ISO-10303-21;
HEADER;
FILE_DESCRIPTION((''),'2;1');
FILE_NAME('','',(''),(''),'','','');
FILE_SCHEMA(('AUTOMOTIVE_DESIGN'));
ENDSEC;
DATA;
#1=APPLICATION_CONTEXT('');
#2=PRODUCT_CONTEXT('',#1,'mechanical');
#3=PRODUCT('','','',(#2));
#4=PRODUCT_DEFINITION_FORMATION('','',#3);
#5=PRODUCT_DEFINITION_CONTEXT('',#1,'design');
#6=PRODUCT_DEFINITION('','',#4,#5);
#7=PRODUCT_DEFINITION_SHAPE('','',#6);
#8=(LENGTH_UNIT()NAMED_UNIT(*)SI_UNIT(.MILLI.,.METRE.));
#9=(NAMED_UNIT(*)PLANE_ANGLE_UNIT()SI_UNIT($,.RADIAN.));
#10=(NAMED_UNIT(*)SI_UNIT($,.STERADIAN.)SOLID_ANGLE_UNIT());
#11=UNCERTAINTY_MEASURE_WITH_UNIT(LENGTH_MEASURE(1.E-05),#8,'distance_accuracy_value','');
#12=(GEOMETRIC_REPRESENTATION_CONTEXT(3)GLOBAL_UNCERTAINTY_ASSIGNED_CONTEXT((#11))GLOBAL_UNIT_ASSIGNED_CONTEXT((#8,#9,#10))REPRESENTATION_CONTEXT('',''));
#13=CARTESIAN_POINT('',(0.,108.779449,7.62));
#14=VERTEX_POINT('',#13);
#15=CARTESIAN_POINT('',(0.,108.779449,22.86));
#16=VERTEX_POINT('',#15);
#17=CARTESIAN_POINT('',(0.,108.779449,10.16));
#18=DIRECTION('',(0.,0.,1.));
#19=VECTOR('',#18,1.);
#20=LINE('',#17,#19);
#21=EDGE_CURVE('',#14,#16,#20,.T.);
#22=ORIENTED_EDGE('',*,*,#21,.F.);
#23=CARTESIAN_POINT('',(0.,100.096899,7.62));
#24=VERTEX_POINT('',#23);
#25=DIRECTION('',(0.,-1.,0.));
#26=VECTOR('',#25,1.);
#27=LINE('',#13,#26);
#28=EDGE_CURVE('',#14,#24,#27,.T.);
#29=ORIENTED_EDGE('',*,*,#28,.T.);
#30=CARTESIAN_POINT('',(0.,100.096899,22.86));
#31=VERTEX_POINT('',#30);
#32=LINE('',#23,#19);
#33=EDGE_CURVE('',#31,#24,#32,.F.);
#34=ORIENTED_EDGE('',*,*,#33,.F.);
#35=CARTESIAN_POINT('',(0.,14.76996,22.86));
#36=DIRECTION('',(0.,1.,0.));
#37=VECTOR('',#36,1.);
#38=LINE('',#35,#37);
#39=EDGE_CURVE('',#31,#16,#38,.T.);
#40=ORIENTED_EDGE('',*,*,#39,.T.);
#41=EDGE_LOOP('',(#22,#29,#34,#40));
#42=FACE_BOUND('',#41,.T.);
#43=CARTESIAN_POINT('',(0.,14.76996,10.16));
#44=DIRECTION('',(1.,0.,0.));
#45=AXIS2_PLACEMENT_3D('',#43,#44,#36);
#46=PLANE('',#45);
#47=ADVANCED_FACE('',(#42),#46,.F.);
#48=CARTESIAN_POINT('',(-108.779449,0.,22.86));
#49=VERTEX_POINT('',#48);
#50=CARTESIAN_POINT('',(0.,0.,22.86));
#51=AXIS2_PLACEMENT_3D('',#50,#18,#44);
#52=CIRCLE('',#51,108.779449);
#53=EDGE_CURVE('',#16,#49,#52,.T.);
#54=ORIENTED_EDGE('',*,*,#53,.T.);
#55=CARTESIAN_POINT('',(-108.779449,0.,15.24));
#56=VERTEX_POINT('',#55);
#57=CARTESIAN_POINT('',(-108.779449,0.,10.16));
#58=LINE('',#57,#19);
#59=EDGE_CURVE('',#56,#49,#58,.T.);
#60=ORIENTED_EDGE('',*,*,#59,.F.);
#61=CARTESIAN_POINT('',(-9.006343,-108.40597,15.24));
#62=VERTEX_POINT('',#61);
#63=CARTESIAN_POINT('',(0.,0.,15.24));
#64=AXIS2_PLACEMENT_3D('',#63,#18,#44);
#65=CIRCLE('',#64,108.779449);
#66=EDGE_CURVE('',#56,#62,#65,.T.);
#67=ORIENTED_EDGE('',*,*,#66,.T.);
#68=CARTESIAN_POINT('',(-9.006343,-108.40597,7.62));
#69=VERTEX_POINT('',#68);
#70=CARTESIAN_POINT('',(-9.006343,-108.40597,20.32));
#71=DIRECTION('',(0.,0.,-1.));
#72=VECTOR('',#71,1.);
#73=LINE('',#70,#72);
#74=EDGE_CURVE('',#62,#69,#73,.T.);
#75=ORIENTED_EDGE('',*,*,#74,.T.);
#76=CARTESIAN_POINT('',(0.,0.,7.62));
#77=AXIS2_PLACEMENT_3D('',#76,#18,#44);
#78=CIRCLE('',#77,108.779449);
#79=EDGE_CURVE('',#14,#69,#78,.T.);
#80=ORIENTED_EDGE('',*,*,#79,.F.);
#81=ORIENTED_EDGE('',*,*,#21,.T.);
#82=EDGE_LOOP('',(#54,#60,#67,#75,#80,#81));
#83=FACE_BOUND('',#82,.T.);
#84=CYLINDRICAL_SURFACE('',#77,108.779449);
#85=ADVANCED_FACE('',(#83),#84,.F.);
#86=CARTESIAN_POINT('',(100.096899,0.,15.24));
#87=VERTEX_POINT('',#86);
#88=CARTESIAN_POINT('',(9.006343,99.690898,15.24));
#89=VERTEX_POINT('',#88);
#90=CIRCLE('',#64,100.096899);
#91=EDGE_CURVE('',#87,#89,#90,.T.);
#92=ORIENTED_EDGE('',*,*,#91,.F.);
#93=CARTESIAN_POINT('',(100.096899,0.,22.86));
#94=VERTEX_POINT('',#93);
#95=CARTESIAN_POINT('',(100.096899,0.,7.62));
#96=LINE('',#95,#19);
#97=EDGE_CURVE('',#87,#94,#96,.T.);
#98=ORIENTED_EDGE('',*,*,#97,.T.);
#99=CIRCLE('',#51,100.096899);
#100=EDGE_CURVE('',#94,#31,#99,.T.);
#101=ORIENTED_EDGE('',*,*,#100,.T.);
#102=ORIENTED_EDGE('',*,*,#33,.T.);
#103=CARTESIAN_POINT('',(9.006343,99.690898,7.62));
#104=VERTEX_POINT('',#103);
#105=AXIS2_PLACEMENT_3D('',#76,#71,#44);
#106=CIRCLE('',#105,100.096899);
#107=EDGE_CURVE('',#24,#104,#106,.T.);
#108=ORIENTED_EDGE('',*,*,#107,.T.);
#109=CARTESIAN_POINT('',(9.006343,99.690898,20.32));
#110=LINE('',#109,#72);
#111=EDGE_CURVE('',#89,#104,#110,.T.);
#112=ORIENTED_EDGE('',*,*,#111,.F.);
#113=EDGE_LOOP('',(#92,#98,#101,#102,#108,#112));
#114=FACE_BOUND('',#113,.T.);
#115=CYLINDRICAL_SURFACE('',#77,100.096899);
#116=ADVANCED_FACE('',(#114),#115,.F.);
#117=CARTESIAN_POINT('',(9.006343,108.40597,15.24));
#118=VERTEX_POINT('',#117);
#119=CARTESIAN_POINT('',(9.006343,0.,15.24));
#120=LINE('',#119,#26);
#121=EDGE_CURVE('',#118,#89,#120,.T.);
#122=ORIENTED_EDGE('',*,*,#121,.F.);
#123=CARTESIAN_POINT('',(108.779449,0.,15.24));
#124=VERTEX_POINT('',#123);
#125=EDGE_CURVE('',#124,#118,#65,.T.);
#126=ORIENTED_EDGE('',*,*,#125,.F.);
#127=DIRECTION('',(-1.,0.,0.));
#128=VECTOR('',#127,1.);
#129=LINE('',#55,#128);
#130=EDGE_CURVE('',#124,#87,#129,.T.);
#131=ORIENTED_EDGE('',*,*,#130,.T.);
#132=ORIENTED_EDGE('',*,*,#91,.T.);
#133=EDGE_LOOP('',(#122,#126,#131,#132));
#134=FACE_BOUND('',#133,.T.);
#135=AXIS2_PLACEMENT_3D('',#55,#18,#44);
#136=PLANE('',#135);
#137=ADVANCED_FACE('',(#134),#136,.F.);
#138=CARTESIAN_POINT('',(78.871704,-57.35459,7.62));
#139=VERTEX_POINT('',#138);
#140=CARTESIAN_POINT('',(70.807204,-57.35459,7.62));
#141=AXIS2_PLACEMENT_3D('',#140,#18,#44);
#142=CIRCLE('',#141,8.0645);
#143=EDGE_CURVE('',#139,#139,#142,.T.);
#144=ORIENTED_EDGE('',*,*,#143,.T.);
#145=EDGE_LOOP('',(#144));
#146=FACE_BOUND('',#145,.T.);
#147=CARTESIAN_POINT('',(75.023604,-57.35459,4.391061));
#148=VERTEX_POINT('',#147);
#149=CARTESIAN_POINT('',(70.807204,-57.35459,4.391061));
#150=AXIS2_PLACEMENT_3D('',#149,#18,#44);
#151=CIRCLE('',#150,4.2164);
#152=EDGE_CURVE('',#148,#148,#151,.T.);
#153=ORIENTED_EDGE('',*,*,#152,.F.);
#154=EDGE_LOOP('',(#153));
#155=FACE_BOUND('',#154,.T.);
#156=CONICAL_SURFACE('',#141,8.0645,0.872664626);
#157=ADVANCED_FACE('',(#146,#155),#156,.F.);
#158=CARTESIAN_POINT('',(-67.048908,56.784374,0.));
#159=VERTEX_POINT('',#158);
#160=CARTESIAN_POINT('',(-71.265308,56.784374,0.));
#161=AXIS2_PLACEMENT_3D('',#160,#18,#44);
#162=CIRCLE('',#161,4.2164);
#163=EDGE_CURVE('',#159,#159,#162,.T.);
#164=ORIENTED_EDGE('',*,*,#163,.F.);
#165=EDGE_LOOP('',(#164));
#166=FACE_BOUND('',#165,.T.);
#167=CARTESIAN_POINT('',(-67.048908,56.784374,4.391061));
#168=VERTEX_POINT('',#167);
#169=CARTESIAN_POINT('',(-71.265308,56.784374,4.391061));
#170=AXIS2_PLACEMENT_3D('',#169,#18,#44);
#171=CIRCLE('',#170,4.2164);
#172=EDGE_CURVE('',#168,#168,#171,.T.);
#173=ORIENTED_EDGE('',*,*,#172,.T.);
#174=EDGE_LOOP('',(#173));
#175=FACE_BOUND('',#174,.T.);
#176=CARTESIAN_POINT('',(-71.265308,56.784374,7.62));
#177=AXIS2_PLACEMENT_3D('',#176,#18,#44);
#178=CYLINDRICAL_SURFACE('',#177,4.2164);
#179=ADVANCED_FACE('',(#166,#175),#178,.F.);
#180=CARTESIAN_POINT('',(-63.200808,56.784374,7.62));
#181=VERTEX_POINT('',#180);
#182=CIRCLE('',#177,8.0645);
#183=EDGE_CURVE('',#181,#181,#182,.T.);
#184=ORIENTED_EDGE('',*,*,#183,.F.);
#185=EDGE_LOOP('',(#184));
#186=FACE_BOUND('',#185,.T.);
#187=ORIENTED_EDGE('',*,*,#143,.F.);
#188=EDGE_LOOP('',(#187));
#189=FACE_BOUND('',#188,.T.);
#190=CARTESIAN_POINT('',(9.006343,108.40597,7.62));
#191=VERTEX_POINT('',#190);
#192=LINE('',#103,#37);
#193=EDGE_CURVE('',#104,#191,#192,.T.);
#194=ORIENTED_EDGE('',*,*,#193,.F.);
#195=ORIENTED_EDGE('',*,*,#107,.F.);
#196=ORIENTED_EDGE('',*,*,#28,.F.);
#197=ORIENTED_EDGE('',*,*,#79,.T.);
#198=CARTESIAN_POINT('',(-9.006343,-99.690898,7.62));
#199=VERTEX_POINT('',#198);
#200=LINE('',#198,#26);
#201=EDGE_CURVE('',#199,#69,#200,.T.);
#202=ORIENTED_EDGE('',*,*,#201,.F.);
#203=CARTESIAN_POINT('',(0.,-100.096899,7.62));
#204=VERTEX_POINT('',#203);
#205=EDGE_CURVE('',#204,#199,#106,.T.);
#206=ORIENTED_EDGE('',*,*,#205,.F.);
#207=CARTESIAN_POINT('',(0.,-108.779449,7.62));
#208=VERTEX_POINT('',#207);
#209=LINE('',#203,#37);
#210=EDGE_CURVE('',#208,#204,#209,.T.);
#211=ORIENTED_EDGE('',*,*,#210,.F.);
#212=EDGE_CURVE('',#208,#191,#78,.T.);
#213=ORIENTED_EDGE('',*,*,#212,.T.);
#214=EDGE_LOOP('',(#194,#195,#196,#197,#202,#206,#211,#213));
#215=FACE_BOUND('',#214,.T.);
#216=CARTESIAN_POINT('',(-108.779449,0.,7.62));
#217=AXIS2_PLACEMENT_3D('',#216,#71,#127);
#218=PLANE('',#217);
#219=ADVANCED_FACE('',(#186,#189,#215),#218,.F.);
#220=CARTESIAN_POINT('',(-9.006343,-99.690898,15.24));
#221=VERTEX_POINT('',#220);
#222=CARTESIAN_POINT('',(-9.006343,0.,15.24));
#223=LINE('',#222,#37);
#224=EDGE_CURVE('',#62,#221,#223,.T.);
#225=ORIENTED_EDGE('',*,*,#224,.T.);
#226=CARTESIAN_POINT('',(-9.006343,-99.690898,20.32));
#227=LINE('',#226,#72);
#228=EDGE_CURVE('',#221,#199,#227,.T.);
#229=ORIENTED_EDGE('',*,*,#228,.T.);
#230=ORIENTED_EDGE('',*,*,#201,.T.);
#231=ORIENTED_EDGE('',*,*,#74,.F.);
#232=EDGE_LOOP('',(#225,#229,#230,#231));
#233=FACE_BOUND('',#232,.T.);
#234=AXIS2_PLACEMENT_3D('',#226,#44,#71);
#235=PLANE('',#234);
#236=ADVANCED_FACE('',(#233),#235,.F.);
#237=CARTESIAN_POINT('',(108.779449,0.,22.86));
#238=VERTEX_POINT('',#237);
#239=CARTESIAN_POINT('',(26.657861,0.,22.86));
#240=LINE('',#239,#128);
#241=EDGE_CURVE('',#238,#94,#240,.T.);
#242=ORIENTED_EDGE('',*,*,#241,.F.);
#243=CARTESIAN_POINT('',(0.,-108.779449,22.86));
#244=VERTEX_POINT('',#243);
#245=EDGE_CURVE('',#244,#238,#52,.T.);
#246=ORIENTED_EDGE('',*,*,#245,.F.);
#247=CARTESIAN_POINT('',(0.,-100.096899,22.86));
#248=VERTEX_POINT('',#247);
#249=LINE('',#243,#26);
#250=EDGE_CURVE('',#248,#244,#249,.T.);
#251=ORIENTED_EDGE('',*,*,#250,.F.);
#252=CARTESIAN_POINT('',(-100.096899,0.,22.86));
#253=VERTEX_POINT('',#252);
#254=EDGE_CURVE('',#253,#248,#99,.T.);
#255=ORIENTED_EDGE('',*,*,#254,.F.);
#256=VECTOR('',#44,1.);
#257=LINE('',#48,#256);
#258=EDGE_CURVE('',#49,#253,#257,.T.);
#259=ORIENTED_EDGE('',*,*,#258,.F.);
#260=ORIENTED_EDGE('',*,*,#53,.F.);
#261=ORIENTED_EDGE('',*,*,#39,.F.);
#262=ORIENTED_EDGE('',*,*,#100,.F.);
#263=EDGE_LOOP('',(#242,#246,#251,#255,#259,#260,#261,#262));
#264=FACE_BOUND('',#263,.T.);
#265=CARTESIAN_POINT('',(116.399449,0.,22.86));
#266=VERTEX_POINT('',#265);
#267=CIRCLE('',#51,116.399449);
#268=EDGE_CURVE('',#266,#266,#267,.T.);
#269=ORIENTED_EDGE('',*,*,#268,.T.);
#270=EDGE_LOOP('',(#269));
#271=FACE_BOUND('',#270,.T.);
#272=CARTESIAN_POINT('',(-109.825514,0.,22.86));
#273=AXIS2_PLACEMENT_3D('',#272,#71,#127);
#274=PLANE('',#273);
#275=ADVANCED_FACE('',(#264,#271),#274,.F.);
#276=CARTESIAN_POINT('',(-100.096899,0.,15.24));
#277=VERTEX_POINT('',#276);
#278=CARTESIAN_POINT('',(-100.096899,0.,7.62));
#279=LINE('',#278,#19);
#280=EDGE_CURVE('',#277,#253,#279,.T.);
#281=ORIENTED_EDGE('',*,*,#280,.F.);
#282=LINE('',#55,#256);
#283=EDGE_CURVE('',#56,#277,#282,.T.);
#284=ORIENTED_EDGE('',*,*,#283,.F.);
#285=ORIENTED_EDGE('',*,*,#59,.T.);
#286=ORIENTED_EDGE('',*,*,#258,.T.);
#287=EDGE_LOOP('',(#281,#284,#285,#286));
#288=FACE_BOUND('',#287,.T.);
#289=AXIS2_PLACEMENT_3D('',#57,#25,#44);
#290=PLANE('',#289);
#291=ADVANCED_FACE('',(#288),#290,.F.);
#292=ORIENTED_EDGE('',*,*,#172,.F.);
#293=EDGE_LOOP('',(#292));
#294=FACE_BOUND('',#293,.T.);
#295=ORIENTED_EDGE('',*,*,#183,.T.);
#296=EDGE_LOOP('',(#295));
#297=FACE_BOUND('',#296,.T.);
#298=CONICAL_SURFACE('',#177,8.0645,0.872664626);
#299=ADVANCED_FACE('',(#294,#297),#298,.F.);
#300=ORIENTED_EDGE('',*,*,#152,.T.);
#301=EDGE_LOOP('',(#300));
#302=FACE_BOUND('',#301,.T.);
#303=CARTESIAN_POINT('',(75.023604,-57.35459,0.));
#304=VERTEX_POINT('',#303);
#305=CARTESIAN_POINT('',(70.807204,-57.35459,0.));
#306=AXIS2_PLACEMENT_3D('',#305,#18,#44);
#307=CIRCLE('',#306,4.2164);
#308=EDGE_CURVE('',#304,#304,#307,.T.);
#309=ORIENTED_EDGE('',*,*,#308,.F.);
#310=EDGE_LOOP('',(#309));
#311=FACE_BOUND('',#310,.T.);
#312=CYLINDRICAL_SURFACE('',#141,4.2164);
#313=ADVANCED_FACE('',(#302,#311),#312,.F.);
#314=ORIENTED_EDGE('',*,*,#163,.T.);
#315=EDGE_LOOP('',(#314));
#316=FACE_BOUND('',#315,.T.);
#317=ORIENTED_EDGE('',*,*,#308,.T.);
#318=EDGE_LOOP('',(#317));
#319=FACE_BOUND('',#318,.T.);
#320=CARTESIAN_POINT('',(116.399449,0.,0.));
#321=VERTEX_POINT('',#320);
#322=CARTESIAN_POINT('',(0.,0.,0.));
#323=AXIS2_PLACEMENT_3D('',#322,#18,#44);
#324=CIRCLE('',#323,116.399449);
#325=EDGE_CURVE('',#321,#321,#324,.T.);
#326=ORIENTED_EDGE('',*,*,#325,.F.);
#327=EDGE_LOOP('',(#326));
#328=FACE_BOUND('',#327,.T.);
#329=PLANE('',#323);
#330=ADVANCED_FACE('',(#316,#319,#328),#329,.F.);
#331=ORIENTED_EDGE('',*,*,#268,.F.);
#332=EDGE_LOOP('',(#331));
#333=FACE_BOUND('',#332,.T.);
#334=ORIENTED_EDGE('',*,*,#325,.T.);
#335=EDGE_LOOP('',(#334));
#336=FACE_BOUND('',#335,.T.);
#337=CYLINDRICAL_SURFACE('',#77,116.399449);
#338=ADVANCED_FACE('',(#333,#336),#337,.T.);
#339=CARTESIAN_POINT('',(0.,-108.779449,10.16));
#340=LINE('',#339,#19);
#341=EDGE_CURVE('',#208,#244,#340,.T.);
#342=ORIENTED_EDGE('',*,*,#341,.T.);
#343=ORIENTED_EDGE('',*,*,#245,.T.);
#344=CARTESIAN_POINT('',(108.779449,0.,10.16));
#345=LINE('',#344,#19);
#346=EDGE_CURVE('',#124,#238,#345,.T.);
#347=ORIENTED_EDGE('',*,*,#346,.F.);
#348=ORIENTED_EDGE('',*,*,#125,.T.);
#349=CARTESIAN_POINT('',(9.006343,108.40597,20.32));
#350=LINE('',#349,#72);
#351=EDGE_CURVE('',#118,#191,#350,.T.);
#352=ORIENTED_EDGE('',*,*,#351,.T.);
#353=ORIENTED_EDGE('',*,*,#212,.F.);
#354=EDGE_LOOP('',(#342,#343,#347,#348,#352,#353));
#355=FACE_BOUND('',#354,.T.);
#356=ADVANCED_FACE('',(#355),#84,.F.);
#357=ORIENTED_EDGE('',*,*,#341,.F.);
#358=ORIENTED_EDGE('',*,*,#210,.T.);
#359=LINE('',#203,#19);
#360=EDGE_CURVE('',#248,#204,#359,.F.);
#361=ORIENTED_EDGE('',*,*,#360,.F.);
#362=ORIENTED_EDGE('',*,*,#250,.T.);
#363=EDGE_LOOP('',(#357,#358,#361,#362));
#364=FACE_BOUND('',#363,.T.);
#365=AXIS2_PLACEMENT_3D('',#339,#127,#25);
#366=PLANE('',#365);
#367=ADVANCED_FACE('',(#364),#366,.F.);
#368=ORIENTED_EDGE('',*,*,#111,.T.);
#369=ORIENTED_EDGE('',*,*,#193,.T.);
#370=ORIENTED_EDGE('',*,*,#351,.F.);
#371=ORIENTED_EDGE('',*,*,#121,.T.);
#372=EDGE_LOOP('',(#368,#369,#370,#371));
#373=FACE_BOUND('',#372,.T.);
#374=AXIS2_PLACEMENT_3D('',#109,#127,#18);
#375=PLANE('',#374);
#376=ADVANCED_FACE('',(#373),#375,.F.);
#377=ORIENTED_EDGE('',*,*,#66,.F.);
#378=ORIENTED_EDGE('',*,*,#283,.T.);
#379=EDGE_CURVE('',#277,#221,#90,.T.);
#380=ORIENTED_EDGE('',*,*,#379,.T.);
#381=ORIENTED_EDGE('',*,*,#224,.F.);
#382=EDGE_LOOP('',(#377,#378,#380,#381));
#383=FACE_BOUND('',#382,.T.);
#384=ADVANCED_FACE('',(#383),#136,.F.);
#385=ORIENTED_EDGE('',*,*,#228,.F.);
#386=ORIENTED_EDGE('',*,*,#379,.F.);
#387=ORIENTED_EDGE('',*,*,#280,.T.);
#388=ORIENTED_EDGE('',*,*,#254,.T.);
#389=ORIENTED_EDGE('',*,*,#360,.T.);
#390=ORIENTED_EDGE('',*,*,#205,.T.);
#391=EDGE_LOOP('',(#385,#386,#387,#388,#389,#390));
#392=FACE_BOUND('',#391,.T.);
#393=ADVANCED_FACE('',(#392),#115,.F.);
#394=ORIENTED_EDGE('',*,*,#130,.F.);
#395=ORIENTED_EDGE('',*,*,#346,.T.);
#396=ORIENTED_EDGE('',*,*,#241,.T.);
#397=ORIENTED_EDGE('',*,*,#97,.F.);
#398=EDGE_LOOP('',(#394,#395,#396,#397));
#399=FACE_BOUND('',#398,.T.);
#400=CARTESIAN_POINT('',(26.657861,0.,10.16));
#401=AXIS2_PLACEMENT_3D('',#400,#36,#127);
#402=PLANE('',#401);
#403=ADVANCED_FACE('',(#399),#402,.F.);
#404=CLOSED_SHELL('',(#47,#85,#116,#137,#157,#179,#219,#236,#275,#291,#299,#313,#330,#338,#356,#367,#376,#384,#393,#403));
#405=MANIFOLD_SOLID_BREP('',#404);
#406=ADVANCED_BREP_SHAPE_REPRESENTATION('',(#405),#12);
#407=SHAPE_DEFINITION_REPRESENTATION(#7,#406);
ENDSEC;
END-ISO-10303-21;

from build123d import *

# Parameters (mm, degrees)
CUT_EXTRUDE1_START                                  = -12.700000000000001
CUT_EXTRUDE1_DEPTH                                  = 12.700000000000001
BOSS_EXTRUDE1_DEPTH                                 = 12.700000000000001
CSK_FOR_5_16_FLAT_HEAD_MACHINE_SCREW_10_D           = 8.4328
CSK_FOR_5_16_FLAT_HEAD_MACHINE_SCREW_10_CSINK_D     = 16.129
CSK_FOR_5_16_FLAT_HEAD_MACHINE_SCREW_10_CSINK_ANGLE = 100


with BuildPart() as part:
    # Sketch1 → Revolve1 (revolve)
    with BuildSketch(Plane(origin=(0, 0, 0), x_dir=(1, 0, 0), z_dir=(0, 1, 0)), mode=Mode.PRIVATE) as revolve1_sk:
        Polygon((0, 0), (-116.39944919199999, -1.425e-14), (-116.39944919199999, -6.350000000000014), (-116.39944919199999, -22.86), (-109.82551422519657, -22.86), (-100.09689936468882, -22.86), (-100.09689936468882, -15.239999999999998), (-108.77944919199999, -15.239999999999998), (-108.77944919199999, -7.619999999999999), (0, -7.619999999999999), align=None)
    revolve(revolve1_sk.sketch.rotate(Axis((0, 0, 7.619999999999999), (0, 0, -1)), 180), axis=Axis((0, 0, 7.619999999999999), (0, 0, -1)))

    # Sketch2 → Cut-Extrude1 (cut)
    with BuildSketch(Plane.XY.offset(22.86).offset(CUT_EXTRUDE1_START)):
        with BuildLine():
            Line((-108.77944919199999, -1.239e-14), (-14.769960459073417, 0))
            Line((-14.769960459073417, 0), (-4.49e-15, 14.76996045907346))
            Line((-4.49e-15, 14.76996045907346), (9.3e-16, 108.77944919199999))
            ThreePointArc((9.3e-16, 108.77944919199999), (-76.91868617740069, 76.9186861774007), (-108.77944919199999, -1.239e-14))
        make_face()
        with BuildLine():
            Line((2.664e-14, -108.77944919199999), (0, -24.8599350617269))
            Line((0, -24.8599350617269), (26.65786083148447, 0))
            Line((26.65786083148447, 0), (108.77944919199999, -9.3e-16))
            ThreePointArc((108.77944919199999, -9.3e-16), (76.9186861774007, -76.91868617740069), (2.664e-14, -108.77944919199999))
        make_face()
    extrude(amount=CUT_EXTRUDE1_DEPTH, mode=Mode.SUBTRACT)

    # Sketch4 → Boss-Extrude1 (add)
    with BuildSketch(Plane.XY.offset(7.619999999999999)):
        with BuildLine():
            Line((0, 108.77944919199999), (4.3e-16, 100.09689936468882))
            ThreePointArc((4.3e-16, 100.09689936468882), (4.507744656252515, 99.99534739445967), (9.006342768425501, 99.69089754015798))
            Line((9.006342768425501, 99.69089754015798), (9.006342768425501, 108.40597011443852))
            ThreePointArc((9.006342768425501, 108.40597011443852), (4.507041620723805, 108.68603931666647), (0, 108.77944919199999))
        make_face()
        with BuildLine():
            Line((2.389e-14, -100.09689936468882), (2.664e-14, -108.77944919199999))
            ThreePointArc((2.664e-14, -108.77944919199999), (-4.5070416207237916, -108.68603931666647), (-9.006342768425498, -108.40597011443852))
            Line((-9.006342768425498, -108.40597011443852), (-9.006342768425498, -99.69089754015796))
            ThreePointArc((-9.006342768425498, -99.69089754015796), (-4.507744656252502, -99.99534739445966), (2.389e-14, -100.09689936468882))
        make_face()
    extrude(amount=BOSS_EXTRUDE1_DEPTH)

    # CSK for 5/16 Flat Head Machine Screw (100)1 (through all)
    with Locations(Plane(origin=(-71.265307908, 56.784373632, 7.62), x_dir=(1, 0, 0), z_dir=(0, 0, 1))):
        with Locations((0, 0), (142.072512407, -114.138963606)):
            CounterSinkHole(CSK_FOR_5_16_FLAT_HEAD_MACHINE_SCREW_10_D / 2, CSK_FOR_5_16_FLAT_HEAD_MACHINE_SCREW_10_CSINK_D / 2, counter_sink_angle=CSK_FOR_5_16_FLAT_HEAD_MACHINE_SCREW_10_CSINK_ANGLE)


solid = part.part
